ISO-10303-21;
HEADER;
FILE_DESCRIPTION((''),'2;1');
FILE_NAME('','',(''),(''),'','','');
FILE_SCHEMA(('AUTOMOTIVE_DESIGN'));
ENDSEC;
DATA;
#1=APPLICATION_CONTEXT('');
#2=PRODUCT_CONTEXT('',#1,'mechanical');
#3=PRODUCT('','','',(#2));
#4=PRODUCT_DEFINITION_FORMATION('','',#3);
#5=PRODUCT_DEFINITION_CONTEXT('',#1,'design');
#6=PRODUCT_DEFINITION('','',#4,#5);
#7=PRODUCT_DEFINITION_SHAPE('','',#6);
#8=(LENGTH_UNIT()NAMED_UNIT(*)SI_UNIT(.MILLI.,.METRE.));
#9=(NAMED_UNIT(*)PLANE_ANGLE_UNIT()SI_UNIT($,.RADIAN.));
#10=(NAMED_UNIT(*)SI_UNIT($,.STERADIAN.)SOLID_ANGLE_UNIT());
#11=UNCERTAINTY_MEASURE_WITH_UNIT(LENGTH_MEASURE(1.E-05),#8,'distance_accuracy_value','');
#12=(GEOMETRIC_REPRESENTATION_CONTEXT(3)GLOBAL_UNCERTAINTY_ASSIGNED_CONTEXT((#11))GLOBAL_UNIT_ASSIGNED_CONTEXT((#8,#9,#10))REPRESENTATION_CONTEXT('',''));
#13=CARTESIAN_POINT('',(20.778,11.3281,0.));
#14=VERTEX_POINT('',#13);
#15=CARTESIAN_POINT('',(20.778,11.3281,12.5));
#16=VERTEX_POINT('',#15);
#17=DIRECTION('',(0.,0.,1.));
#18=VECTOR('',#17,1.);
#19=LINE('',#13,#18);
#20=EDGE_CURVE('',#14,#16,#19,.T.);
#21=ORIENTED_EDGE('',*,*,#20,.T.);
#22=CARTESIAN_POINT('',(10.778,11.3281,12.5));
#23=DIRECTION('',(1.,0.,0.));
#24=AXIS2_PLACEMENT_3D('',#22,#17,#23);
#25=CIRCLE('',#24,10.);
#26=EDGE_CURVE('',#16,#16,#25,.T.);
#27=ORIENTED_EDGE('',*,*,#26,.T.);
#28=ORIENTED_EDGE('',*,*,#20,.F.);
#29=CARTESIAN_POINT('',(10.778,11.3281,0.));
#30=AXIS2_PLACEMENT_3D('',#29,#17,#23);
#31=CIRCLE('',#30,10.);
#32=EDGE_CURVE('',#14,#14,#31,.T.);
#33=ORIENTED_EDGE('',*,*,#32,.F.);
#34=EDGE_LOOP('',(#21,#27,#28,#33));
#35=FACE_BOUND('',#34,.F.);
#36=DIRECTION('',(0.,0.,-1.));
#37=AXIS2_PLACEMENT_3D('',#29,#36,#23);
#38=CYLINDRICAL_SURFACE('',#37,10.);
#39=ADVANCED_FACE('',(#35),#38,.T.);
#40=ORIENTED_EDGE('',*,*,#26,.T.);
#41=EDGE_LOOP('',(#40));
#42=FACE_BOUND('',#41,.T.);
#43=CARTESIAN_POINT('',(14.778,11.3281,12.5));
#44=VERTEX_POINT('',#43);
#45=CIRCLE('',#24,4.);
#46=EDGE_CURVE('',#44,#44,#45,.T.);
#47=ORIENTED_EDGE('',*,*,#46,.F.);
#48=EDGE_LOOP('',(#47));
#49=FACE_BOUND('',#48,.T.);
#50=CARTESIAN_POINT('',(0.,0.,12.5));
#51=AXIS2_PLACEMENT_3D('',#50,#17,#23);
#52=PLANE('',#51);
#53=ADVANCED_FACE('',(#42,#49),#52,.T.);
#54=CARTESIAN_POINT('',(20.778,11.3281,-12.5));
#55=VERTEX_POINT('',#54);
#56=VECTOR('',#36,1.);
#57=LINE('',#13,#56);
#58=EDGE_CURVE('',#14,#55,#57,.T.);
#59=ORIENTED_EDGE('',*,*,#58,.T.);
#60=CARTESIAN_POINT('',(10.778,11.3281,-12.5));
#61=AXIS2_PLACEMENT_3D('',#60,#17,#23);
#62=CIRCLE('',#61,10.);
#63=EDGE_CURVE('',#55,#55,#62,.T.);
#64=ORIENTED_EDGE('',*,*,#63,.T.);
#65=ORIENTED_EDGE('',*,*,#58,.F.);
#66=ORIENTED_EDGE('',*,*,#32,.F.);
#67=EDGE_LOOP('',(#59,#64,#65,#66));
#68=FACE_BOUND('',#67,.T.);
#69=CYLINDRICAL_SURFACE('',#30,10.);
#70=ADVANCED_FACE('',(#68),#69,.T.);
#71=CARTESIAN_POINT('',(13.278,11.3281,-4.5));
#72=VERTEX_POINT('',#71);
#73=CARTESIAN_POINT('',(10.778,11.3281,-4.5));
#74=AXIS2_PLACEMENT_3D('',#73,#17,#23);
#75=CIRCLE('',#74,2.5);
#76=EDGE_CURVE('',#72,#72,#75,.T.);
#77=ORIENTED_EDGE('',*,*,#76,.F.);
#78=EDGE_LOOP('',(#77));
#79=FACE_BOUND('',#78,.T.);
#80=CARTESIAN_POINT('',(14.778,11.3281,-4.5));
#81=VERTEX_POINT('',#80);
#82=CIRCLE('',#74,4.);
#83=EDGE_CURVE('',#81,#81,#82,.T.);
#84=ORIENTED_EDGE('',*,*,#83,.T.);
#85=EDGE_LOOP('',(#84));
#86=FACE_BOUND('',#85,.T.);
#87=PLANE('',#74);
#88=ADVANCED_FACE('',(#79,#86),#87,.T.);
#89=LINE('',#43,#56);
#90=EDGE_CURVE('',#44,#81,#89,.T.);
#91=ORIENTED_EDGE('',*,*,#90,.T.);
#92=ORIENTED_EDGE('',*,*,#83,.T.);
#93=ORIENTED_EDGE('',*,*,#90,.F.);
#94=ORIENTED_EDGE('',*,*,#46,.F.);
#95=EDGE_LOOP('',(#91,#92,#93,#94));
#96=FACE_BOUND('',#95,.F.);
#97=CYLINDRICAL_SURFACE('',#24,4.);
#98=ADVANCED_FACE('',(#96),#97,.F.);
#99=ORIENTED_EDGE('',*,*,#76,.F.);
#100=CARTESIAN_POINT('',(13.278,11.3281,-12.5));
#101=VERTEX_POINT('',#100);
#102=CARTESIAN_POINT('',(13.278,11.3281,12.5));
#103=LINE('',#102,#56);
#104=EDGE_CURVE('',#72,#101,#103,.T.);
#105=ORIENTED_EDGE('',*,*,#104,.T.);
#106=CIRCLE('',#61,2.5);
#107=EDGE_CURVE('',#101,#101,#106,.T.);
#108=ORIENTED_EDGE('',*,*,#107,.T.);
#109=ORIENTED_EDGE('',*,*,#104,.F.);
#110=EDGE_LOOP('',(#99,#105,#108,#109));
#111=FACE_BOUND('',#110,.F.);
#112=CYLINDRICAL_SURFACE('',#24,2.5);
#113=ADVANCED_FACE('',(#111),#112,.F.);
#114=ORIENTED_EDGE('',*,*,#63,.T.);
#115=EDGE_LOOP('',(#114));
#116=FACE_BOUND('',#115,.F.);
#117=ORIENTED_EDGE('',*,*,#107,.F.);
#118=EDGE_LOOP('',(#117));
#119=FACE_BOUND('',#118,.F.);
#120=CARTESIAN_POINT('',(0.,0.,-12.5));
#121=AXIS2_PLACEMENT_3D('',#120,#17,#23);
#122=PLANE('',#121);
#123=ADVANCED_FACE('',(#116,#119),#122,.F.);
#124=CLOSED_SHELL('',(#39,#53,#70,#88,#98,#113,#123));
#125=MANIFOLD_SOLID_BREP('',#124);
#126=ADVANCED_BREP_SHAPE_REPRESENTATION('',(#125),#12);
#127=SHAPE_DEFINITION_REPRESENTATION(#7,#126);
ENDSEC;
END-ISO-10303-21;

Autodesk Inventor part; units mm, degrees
ref_plane "YZ Plane" through (0, 0, 0) normal (1, 0, 0) x (0, 1, 0)
ref_plane "XZ Plane" through (0, 0, 0) normal (0, 1, 0) x (-1, 0, 0)
ref_plane "XY Plane" through (0, 0, 0) normal (0, 0, 1) x (1, 0, 0)
sketch "Sketch1" plane through (0, 0, 0) normal (0, 0, 1) x (1, 0, 0)
  circle A0 centre (10.778, 11.3281) radius 10
  point P0 (0, 0)
  dimension "d0" = 20
extrude "Extrusion1" add sketch "Sketch1" along normal mid plane 25
sketch "Sketch2" plane through (10.778, 11.3281, 12.5) normal (0, 0, 1) x (1, 0, 0)
  circle A0 centre (0, 0) radius 2.5
  circle A1 centre (0, 0) radius 4
  point P0 (-10.778, -11.3281)
  dimension "d5" = 5
  dimension "d6" = 8
extrude "Extrusion2" cut sketch "Sketch2" against normal through all contours A0
extrude "Extrusion3" cut sketch "Sketch2" against normal blind 17
properties part number "Shaft Coupler 5mm 8mm"
